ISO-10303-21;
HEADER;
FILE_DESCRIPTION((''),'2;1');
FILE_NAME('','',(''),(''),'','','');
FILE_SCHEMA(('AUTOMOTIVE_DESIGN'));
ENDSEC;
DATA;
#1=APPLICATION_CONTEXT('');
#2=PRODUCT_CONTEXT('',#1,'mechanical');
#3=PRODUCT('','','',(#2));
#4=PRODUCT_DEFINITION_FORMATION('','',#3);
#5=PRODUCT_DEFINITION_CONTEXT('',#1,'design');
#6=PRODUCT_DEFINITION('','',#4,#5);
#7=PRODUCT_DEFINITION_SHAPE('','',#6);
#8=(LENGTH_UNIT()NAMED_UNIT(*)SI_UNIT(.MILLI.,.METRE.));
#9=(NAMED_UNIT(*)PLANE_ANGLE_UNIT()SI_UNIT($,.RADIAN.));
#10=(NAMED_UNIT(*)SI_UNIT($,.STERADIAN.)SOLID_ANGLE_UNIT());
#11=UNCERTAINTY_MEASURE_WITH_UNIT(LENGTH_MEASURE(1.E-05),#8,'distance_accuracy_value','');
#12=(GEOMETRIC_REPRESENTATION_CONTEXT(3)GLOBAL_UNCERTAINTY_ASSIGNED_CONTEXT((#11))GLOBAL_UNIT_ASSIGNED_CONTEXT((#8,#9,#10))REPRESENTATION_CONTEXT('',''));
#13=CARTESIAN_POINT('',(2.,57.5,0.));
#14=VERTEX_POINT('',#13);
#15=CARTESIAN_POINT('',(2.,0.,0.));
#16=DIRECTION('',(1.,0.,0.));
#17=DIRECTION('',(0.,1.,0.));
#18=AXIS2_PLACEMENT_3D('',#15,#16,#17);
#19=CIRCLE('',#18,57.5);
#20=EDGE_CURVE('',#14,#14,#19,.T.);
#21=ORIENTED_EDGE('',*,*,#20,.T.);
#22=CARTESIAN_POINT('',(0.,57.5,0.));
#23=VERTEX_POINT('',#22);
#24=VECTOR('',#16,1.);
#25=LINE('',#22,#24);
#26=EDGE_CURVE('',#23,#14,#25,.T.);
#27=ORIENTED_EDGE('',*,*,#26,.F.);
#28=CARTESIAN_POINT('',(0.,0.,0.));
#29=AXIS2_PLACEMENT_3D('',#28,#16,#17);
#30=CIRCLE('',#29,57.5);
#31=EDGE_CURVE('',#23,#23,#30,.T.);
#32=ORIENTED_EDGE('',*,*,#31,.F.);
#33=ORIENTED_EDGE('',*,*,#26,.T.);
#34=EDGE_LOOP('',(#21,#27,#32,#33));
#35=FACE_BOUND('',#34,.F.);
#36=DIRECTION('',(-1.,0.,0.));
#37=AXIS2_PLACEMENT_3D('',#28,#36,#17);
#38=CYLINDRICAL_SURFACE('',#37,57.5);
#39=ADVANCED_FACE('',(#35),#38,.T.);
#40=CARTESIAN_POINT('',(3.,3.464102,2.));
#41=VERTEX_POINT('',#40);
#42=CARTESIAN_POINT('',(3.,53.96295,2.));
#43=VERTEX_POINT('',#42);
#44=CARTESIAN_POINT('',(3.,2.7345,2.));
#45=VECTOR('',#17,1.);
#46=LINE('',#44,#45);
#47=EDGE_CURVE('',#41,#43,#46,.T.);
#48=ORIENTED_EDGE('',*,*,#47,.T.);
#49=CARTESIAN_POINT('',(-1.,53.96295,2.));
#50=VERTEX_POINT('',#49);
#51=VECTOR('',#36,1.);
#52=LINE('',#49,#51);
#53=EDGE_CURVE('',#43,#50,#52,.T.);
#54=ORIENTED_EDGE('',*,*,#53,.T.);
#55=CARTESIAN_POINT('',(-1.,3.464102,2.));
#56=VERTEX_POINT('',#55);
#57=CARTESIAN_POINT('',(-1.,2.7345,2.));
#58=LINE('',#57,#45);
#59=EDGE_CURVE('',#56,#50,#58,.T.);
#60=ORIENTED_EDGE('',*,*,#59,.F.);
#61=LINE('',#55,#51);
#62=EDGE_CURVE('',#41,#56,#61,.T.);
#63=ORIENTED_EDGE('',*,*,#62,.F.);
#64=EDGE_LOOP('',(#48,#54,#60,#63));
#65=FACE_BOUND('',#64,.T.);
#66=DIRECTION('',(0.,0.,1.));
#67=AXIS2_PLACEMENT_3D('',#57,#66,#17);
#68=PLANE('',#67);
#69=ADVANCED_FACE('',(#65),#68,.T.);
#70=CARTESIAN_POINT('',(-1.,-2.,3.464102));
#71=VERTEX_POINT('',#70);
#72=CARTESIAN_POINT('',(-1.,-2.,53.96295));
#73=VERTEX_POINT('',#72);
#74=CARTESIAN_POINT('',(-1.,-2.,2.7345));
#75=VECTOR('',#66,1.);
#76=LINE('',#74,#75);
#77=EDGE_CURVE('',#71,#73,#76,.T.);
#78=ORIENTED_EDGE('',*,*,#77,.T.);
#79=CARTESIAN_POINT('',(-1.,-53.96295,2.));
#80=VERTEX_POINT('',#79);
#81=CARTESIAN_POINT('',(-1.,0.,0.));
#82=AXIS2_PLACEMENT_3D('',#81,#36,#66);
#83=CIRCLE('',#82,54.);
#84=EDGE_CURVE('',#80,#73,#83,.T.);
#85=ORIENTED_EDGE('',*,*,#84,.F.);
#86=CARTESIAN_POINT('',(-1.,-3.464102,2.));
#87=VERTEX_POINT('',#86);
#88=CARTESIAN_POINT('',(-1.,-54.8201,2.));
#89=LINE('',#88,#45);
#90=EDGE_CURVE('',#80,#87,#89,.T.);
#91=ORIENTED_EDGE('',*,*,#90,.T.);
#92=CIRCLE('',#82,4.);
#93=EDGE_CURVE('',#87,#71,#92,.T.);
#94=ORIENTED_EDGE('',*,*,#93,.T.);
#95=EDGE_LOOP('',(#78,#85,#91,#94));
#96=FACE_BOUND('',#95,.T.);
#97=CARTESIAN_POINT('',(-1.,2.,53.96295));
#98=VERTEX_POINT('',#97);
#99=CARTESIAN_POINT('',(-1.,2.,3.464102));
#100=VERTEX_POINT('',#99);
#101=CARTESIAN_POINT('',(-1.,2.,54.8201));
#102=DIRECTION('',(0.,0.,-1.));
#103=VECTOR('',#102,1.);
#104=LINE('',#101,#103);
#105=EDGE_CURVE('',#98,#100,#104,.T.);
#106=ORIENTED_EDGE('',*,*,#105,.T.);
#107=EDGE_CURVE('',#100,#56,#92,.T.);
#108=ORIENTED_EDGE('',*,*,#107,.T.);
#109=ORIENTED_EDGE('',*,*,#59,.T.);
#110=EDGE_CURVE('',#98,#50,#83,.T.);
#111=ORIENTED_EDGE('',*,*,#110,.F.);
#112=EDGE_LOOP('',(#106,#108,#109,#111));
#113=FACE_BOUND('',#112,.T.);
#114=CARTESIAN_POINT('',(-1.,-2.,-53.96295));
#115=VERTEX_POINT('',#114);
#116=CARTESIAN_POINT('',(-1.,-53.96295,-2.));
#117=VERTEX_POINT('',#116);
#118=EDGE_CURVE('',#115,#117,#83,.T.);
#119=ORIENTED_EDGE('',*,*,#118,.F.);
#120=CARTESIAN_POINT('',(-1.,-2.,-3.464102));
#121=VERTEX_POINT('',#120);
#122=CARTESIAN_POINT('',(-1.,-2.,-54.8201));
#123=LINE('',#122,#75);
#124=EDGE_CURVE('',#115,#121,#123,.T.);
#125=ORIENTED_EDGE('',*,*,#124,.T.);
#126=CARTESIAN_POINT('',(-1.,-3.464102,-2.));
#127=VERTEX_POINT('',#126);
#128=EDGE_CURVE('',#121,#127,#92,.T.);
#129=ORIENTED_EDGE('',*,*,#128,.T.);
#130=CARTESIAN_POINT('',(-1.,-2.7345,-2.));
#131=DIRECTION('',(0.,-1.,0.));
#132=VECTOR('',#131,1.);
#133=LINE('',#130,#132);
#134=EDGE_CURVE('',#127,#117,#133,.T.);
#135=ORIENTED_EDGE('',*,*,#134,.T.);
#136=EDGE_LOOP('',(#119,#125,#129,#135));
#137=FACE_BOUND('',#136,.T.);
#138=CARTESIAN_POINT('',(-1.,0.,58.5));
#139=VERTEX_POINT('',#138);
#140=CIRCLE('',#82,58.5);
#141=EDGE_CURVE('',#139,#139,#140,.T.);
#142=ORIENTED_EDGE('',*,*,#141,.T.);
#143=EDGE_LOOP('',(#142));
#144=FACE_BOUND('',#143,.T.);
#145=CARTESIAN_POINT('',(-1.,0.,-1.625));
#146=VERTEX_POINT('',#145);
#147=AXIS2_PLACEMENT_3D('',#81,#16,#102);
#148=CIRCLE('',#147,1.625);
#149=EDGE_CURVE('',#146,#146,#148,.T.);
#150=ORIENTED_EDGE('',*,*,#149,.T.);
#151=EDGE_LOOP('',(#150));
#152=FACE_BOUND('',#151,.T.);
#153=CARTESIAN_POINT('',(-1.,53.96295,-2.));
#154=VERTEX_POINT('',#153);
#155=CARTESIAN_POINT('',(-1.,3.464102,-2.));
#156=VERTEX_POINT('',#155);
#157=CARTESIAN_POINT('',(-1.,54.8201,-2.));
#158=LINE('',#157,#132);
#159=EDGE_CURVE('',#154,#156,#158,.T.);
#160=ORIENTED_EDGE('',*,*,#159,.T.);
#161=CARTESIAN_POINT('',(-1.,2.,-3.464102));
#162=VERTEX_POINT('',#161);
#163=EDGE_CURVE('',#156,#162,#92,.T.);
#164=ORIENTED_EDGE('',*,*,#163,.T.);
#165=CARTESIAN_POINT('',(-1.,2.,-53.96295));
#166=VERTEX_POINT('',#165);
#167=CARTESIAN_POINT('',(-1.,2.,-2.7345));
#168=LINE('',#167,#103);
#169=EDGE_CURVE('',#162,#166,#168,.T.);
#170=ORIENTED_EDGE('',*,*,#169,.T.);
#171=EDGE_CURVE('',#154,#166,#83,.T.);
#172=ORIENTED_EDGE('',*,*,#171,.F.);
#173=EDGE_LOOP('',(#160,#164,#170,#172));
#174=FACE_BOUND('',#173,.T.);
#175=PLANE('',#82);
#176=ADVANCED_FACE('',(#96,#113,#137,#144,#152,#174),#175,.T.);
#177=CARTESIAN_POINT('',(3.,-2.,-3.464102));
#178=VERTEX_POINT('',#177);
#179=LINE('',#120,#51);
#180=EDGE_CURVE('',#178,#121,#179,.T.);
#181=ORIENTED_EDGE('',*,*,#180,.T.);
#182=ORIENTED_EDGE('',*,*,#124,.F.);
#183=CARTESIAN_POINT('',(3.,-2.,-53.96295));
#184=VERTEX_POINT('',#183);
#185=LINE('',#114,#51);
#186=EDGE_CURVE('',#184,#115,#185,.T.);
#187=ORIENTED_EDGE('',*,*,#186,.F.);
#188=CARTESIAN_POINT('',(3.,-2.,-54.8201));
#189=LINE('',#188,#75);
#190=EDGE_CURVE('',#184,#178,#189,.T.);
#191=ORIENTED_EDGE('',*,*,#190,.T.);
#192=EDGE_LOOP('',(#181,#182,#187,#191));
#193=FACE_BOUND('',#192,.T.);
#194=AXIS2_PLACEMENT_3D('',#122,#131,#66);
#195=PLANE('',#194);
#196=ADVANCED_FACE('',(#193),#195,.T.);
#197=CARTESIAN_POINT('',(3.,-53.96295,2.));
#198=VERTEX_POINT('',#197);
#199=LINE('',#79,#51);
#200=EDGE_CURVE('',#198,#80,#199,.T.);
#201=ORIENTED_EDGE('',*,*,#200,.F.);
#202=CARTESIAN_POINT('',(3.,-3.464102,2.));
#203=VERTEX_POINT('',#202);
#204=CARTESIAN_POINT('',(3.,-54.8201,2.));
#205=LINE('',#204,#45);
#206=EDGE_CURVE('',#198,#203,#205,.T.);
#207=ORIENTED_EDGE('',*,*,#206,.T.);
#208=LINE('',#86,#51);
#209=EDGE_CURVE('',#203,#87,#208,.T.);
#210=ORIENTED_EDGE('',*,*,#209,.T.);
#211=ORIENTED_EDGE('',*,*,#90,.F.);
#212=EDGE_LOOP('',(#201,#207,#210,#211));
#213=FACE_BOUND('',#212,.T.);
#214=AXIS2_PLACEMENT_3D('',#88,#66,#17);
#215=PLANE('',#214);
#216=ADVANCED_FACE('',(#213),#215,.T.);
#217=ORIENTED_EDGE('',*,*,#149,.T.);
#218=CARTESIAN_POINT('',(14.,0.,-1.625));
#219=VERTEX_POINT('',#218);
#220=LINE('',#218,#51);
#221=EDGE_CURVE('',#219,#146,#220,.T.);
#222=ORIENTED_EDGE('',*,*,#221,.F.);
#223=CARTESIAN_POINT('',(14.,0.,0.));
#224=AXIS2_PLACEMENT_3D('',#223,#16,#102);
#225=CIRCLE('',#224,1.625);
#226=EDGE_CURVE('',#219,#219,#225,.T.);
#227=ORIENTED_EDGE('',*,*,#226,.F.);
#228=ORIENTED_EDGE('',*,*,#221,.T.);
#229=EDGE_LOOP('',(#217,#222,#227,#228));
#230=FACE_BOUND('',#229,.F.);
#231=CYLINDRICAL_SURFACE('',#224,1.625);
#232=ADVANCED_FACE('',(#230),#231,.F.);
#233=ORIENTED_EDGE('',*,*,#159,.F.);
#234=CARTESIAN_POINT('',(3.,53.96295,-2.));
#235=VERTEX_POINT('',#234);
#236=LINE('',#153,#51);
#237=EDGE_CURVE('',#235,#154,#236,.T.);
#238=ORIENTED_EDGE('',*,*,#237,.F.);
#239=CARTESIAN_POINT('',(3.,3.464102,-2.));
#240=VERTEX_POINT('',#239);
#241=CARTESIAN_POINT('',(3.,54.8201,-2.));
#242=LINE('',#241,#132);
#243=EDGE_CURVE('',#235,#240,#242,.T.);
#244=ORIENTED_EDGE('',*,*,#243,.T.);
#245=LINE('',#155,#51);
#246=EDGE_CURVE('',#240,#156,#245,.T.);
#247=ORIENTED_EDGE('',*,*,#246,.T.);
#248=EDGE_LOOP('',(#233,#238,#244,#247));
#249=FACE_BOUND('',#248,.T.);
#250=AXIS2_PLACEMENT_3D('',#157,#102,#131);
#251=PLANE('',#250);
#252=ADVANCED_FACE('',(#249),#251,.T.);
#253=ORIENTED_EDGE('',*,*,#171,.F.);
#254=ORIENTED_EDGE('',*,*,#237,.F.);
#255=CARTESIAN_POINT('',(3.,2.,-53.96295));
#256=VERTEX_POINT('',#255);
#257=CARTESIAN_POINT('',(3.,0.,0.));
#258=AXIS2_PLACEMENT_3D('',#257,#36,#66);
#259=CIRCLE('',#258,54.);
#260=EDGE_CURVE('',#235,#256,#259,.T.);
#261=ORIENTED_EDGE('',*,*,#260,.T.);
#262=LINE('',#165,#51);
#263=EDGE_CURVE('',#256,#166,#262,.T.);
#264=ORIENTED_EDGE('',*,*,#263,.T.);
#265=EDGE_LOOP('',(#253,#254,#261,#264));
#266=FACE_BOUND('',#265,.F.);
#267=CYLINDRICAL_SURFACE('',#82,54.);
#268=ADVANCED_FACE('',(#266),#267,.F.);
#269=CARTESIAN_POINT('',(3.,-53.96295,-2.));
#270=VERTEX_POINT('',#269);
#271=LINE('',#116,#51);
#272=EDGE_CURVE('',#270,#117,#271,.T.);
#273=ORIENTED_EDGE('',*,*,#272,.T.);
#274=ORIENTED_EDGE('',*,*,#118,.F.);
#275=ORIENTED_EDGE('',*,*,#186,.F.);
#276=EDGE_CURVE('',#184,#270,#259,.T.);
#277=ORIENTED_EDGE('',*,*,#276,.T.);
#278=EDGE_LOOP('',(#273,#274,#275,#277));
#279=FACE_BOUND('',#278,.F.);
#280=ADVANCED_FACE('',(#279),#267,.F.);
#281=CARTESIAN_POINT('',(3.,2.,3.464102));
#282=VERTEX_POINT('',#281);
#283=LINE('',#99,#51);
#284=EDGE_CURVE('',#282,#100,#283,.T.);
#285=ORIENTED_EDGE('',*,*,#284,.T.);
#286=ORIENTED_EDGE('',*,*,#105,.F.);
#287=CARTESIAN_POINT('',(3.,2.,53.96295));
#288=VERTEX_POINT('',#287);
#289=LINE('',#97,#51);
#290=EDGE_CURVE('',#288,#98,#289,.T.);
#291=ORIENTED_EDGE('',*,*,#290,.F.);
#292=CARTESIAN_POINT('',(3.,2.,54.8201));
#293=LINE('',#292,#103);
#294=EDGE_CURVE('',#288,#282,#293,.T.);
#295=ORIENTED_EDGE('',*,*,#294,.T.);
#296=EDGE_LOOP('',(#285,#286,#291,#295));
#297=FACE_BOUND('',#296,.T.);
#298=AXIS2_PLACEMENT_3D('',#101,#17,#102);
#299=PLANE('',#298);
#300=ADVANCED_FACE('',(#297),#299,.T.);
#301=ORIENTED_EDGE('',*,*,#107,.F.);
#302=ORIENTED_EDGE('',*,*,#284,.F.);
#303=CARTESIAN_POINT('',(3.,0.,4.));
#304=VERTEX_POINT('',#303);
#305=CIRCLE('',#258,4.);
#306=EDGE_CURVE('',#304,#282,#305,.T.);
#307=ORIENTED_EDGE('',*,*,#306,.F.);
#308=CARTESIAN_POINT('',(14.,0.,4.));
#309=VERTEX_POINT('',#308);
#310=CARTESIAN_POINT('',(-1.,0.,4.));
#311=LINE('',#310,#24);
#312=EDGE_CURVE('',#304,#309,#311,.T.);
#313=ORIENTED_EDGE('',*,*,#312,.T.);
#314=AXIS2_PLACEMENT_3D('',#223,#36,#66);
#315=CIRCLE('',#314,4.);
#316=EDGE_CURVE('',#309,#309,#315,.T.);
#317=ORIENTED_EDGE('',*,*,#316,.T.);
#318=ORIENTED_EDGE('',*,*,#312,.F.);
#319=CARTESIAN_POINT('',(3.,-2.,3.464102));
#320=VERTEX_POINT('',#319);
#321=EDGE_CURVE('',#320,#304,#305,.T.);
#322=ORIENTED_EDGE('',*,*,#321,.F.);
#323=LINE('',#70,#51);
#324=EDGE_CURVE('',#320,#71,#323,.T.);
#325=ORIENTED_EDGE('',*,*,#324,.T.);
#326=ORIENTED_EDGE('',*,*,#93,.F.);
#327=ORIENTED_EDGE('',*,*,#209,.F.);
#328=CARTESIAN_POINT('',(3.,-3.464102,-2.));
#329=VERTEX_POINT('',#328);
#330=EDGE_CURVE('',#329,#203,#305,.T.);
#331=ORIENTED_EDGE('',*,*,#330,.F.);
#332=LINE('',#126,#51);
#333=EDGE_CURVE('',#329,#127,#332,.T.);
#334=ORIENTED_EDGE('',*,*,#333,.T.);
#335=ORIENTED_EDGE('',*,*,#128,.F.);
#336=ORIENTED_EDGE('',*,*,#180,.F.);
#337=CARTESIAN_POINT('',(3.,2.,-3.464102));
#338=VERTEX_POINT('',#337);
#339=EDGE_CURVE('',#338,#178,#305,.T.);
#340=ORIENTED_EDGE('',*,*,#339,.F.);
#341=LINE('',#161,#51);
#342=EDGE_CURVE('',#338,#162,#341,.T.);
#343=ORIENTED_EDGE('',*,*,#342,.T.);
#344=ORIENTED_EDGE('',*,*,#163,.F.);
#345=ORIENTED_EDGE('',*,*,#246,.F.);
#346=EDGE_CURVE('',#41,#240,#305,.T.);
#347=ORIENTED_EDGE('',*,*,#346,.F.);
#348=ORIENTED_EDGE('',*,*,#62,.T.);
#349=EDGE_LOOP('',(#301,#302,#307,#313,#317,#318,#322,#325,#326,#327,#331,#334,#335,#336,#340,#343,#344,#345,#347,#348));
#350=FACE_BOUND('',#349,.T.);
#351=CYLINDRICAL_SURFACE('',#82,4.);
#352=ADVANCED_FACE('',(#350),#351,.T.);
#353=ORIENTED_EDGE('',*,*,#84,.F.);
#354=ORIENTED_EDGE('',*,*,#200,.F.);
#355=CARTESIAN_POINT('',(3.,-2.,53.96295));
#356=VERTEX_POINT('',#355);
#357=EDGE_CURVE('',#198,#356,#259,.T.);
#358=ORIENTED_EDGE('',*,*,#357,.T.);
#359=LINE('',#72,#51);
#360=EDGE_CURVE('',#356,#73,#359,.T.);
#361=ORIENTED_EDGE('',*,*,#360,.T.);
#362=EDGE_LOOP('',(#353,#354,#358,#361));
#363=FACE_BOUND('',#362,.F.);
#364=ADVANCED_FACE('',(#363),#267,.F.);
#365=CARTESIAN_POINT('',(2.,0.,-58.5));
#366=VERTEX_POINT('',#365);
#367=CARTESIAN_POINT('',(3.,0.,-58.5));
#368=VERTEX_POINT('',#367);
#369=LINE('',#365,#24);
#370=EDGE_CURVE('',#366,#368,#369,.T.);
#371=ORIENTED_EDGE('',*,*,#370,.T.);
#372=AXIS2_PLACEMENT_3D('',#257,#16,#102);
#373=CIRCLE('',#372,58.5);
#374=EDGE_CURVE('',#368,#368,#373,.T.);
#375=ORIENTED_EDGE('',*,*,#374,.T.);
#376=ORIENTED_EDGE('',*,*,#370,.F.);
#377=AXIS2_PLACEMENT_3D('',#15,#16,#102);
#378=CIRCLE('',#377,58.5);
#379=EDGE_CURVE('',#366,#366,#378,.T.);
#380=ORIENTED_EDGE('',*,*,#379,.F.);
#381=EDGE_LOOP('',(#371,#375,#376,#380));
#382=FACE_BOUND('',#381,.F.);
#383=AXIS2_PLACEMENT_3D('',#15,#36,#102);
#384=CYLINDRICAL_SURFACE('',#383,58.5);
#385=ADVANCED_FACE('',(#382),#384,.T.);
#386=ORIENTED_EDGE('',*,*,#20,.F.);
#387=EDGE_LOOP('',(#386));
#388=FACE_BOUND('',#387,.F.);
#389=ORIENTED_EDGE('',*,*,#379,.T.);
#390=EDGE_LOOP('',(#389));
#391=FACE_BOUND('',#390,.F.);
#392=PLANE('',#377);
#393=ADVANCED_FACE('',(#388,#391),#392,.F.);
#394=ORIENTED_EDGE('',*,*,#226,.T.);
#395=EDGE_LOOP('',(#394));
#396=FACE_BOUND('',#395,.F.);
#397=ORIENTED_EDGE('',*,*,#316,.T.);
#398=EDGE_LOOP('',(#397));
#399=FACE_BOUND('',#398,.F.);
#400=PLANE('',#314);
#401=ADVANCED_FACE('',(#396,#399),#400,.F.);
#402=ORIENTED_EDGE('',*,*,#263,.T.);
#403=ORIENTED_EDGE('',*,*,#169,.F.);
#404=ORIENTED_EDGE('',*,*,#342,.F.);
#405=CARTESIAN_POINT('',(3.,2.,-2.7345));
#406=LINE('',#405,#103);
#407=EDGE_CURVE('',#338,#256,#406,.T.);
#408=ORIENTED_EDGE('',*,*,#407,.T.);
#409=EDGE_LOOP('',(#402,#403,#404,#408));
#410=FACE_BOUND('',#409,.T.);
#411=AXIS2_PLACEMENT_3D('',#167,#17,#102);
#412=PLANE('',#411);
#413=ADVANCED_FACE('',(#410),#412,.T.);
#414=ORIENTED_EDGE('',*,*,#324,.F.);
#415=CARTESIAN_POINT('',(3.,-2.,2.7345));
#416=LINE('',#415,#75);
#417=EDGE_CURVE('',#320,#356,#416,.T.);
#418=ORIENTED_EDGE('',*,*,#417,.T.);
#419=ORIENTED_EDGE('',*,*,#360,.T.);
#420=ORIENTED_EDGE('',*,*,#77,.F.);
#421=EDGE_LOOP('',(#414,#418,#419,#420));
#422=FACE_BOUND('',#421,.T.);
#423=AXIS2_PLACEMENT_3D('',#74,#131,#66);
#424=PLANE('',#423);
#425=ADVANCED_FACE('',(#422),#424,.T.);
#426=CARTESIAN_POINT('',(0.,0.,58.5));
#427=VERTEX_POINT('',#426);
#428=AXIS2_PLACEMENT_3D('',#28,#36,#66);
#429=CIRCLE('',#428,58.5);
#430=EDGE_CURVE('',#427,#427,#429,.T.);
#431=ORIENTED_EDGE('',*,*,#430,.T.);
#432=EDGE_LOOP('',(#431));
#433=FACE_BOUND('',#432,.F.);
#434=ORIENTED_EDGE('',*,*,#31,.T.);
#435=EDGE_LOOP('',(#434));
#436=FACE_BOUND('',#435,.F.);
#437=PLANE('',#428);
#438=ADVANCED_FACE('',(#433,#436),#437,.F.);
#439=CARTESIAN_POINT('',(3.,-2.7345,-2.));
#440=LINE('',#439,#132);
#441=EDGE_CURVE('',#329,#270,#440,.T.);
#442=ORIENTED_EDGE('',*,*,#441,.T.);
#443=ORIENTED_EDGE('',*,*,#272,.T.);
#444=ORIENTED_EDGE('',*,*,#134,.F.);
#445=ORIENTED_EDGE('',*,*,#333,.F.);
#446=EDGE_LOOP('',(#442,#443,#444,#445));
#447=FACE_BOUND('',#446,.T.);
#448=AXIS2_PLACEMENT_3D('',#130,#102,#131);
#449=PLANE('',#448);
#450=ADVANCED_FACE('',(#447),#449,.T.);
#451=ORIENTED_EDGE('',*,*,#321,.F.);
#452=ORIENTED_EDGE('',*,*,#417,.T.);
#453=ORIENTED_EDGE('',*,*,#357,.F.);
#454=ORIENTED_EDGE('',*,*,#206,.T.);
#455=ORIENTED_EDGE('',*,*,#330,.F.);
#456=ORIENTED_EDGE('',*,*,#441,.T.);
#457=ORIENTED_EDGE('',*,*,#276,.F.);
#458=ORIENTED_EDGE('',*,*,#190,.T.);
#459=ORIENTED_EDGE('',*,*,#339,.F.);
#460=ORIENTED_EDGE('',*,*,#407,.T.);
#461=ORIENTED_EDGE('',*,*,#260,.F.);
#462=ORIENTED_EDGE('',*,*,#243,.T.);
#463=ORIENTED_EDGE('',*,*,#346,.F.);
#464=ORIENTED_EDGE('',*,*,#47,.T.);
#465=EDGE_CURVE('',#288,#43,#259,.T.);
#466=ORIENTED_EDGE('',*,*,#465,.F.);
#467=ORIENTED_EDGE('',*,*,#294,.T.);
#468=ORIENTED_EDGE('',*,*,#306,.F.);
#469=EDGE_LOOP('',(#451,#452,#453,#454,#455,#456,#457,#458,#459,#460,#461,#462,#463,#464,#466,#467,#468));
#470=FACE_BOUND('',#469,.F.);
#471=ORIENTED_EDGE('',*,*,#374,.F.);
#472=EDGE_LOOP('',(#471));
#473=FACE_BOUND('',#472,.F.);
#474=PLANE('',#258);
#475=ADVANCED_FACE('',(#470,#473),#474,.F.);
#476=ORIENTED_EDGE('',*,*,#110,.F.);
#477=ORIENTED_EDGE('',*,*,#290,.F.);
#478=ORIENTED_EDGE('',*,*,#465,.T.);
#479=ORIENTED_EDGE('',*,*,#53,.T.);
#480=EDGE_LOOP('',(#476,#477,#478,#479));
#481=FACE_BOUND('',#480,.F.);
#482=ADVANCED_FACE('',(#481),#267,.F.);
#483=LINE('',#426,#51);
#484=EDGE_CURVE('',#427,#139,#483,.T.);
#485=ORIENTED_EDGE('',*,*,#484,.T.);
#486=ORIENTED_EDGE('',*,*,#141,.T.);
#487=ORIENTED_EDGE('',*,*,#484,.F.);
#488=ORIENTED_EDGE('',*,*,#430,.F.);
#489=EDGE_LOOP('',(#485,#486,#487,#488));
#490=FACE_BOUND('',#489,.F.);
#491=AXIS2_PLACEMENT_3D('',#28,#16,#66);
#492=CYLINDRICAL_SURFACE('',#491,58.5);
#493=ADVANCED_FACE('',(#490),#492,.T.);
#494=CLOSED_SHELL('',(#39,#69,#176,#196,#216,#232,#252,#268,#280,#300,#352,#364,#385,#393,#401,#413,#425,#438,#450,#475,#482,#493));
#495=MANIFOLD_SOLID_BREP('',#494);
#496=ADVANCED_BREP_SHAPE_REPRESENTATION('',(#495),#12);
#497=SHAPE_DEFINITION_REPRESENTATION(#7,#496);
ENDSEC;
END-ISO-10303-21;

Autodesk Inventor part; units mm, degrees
ref_plane "YZ Plane" through (0, 0, 0) normal (1, 0, 0) x (0, 1, 0)
ref_plane "XZ Plane" through (0, 0, 0) normal (0, 1, 0) x (-1, 0, 0)
ref_plane "XY Plane" through (0, 0, 0) normal (0, 0, 1) x (1, 0, 0)
sketch "Sketch1" plane through (0, 0, 0) normal (1, 0, 0) x (0, 1, 0)
  circle A0 centre (0, 0) radius 57.5
  dimension "d0" = 115
extrude "Extrusion1" add sketch "Sketch1" along normal blind 2
sketch "Sketch2" plane through (2, 0, 0) normal (1, 0, 0) x (0, 0, -1)
  circle A0 centre (0, 0) radius 58.5
  dimension "d3" = 117
extrude "Extrusion2" add sketch "Sketch2" along normal blind 1
sketch "Sketch3" plane through (0, 0, 0) normal (-1, 0, 0) x (0, 0, 1)
  circle A0 centre (0, 0) radius 58.5
extrude "Extrusion3" add sketch "Sketch3" along normal blind 1
sketch "Sketch4" plane through (-1, 0, 0) normal (-1, 0, 0) x (0, 0, 1)
  circle A0 centre (0, 0) radius 54
  dimension "d8" = 108
extrude "Extrusion4" cut sketch "Sketch4" against normal blind 5
sketch "Sketch5" plane through (-1, 0, 0) normal (-1, 0, 0) x (0, 0, 1)
  circle A0 centre (0, 0) radius 1.5
  circle A1 centre (0, 0) radius 3.5
  dimension "d11" = 3
  dimension "d12" = 7
extrude "Extrusion5" add sketch "Sketch5" against normal blind 5
sketch "Sketch6" plane through (-1, 0, 0) normal (-1, 0, 0) x (0, 0, 1)
  line L0 (2.7345, 0) -> (2.7345, 2) construction
  line L1 (2.7345, 2) -> (2.7345, -2) construction
  line L2 (2.7345, -2) -> (54.8201, -2)
  line L3 (54.8201, -2) -> (54.8201, 2)
  line L4 (54.8201, 2) -> (2.7345, 2)
  line L5 (2.7345, 2) -> (2.7345, -2)
  point P0 (0, 0)
  dimension "d15" = 2
  dimension "d16" = 4
extrude "Extrusion6" add sketch "Sketch6" against normal blind 4
pattern_circular "Circular Pattern1" count 4 over 360 about axis through (-1, 0, 0) along (1, 0, 0) of "Extrusion6"
sketch "Sketch7" plane through (-1, 0, 0) normal (-1, 0, 0) x (0, 0, 1)
  circle A0 centre (0, 0) radius 1.5
  circle A1 centre (0, 0) radius 4
  dimension "d22" = 8
extrude "Extrusion7" add sketch "Sketch7" against normal blind 15
sketch "Sketch8" plane through (14, 0, 0) normal (1, 0, 0) x (0, 0, -1)
  circle A0 centre (0, 0) radius 1.625
  dimension "d25" = 3.25
extrude "Extrusion8" cut sketch "Sketch8" against normal blind 100
properties part number "mtv_pushingWheel_1-13"
